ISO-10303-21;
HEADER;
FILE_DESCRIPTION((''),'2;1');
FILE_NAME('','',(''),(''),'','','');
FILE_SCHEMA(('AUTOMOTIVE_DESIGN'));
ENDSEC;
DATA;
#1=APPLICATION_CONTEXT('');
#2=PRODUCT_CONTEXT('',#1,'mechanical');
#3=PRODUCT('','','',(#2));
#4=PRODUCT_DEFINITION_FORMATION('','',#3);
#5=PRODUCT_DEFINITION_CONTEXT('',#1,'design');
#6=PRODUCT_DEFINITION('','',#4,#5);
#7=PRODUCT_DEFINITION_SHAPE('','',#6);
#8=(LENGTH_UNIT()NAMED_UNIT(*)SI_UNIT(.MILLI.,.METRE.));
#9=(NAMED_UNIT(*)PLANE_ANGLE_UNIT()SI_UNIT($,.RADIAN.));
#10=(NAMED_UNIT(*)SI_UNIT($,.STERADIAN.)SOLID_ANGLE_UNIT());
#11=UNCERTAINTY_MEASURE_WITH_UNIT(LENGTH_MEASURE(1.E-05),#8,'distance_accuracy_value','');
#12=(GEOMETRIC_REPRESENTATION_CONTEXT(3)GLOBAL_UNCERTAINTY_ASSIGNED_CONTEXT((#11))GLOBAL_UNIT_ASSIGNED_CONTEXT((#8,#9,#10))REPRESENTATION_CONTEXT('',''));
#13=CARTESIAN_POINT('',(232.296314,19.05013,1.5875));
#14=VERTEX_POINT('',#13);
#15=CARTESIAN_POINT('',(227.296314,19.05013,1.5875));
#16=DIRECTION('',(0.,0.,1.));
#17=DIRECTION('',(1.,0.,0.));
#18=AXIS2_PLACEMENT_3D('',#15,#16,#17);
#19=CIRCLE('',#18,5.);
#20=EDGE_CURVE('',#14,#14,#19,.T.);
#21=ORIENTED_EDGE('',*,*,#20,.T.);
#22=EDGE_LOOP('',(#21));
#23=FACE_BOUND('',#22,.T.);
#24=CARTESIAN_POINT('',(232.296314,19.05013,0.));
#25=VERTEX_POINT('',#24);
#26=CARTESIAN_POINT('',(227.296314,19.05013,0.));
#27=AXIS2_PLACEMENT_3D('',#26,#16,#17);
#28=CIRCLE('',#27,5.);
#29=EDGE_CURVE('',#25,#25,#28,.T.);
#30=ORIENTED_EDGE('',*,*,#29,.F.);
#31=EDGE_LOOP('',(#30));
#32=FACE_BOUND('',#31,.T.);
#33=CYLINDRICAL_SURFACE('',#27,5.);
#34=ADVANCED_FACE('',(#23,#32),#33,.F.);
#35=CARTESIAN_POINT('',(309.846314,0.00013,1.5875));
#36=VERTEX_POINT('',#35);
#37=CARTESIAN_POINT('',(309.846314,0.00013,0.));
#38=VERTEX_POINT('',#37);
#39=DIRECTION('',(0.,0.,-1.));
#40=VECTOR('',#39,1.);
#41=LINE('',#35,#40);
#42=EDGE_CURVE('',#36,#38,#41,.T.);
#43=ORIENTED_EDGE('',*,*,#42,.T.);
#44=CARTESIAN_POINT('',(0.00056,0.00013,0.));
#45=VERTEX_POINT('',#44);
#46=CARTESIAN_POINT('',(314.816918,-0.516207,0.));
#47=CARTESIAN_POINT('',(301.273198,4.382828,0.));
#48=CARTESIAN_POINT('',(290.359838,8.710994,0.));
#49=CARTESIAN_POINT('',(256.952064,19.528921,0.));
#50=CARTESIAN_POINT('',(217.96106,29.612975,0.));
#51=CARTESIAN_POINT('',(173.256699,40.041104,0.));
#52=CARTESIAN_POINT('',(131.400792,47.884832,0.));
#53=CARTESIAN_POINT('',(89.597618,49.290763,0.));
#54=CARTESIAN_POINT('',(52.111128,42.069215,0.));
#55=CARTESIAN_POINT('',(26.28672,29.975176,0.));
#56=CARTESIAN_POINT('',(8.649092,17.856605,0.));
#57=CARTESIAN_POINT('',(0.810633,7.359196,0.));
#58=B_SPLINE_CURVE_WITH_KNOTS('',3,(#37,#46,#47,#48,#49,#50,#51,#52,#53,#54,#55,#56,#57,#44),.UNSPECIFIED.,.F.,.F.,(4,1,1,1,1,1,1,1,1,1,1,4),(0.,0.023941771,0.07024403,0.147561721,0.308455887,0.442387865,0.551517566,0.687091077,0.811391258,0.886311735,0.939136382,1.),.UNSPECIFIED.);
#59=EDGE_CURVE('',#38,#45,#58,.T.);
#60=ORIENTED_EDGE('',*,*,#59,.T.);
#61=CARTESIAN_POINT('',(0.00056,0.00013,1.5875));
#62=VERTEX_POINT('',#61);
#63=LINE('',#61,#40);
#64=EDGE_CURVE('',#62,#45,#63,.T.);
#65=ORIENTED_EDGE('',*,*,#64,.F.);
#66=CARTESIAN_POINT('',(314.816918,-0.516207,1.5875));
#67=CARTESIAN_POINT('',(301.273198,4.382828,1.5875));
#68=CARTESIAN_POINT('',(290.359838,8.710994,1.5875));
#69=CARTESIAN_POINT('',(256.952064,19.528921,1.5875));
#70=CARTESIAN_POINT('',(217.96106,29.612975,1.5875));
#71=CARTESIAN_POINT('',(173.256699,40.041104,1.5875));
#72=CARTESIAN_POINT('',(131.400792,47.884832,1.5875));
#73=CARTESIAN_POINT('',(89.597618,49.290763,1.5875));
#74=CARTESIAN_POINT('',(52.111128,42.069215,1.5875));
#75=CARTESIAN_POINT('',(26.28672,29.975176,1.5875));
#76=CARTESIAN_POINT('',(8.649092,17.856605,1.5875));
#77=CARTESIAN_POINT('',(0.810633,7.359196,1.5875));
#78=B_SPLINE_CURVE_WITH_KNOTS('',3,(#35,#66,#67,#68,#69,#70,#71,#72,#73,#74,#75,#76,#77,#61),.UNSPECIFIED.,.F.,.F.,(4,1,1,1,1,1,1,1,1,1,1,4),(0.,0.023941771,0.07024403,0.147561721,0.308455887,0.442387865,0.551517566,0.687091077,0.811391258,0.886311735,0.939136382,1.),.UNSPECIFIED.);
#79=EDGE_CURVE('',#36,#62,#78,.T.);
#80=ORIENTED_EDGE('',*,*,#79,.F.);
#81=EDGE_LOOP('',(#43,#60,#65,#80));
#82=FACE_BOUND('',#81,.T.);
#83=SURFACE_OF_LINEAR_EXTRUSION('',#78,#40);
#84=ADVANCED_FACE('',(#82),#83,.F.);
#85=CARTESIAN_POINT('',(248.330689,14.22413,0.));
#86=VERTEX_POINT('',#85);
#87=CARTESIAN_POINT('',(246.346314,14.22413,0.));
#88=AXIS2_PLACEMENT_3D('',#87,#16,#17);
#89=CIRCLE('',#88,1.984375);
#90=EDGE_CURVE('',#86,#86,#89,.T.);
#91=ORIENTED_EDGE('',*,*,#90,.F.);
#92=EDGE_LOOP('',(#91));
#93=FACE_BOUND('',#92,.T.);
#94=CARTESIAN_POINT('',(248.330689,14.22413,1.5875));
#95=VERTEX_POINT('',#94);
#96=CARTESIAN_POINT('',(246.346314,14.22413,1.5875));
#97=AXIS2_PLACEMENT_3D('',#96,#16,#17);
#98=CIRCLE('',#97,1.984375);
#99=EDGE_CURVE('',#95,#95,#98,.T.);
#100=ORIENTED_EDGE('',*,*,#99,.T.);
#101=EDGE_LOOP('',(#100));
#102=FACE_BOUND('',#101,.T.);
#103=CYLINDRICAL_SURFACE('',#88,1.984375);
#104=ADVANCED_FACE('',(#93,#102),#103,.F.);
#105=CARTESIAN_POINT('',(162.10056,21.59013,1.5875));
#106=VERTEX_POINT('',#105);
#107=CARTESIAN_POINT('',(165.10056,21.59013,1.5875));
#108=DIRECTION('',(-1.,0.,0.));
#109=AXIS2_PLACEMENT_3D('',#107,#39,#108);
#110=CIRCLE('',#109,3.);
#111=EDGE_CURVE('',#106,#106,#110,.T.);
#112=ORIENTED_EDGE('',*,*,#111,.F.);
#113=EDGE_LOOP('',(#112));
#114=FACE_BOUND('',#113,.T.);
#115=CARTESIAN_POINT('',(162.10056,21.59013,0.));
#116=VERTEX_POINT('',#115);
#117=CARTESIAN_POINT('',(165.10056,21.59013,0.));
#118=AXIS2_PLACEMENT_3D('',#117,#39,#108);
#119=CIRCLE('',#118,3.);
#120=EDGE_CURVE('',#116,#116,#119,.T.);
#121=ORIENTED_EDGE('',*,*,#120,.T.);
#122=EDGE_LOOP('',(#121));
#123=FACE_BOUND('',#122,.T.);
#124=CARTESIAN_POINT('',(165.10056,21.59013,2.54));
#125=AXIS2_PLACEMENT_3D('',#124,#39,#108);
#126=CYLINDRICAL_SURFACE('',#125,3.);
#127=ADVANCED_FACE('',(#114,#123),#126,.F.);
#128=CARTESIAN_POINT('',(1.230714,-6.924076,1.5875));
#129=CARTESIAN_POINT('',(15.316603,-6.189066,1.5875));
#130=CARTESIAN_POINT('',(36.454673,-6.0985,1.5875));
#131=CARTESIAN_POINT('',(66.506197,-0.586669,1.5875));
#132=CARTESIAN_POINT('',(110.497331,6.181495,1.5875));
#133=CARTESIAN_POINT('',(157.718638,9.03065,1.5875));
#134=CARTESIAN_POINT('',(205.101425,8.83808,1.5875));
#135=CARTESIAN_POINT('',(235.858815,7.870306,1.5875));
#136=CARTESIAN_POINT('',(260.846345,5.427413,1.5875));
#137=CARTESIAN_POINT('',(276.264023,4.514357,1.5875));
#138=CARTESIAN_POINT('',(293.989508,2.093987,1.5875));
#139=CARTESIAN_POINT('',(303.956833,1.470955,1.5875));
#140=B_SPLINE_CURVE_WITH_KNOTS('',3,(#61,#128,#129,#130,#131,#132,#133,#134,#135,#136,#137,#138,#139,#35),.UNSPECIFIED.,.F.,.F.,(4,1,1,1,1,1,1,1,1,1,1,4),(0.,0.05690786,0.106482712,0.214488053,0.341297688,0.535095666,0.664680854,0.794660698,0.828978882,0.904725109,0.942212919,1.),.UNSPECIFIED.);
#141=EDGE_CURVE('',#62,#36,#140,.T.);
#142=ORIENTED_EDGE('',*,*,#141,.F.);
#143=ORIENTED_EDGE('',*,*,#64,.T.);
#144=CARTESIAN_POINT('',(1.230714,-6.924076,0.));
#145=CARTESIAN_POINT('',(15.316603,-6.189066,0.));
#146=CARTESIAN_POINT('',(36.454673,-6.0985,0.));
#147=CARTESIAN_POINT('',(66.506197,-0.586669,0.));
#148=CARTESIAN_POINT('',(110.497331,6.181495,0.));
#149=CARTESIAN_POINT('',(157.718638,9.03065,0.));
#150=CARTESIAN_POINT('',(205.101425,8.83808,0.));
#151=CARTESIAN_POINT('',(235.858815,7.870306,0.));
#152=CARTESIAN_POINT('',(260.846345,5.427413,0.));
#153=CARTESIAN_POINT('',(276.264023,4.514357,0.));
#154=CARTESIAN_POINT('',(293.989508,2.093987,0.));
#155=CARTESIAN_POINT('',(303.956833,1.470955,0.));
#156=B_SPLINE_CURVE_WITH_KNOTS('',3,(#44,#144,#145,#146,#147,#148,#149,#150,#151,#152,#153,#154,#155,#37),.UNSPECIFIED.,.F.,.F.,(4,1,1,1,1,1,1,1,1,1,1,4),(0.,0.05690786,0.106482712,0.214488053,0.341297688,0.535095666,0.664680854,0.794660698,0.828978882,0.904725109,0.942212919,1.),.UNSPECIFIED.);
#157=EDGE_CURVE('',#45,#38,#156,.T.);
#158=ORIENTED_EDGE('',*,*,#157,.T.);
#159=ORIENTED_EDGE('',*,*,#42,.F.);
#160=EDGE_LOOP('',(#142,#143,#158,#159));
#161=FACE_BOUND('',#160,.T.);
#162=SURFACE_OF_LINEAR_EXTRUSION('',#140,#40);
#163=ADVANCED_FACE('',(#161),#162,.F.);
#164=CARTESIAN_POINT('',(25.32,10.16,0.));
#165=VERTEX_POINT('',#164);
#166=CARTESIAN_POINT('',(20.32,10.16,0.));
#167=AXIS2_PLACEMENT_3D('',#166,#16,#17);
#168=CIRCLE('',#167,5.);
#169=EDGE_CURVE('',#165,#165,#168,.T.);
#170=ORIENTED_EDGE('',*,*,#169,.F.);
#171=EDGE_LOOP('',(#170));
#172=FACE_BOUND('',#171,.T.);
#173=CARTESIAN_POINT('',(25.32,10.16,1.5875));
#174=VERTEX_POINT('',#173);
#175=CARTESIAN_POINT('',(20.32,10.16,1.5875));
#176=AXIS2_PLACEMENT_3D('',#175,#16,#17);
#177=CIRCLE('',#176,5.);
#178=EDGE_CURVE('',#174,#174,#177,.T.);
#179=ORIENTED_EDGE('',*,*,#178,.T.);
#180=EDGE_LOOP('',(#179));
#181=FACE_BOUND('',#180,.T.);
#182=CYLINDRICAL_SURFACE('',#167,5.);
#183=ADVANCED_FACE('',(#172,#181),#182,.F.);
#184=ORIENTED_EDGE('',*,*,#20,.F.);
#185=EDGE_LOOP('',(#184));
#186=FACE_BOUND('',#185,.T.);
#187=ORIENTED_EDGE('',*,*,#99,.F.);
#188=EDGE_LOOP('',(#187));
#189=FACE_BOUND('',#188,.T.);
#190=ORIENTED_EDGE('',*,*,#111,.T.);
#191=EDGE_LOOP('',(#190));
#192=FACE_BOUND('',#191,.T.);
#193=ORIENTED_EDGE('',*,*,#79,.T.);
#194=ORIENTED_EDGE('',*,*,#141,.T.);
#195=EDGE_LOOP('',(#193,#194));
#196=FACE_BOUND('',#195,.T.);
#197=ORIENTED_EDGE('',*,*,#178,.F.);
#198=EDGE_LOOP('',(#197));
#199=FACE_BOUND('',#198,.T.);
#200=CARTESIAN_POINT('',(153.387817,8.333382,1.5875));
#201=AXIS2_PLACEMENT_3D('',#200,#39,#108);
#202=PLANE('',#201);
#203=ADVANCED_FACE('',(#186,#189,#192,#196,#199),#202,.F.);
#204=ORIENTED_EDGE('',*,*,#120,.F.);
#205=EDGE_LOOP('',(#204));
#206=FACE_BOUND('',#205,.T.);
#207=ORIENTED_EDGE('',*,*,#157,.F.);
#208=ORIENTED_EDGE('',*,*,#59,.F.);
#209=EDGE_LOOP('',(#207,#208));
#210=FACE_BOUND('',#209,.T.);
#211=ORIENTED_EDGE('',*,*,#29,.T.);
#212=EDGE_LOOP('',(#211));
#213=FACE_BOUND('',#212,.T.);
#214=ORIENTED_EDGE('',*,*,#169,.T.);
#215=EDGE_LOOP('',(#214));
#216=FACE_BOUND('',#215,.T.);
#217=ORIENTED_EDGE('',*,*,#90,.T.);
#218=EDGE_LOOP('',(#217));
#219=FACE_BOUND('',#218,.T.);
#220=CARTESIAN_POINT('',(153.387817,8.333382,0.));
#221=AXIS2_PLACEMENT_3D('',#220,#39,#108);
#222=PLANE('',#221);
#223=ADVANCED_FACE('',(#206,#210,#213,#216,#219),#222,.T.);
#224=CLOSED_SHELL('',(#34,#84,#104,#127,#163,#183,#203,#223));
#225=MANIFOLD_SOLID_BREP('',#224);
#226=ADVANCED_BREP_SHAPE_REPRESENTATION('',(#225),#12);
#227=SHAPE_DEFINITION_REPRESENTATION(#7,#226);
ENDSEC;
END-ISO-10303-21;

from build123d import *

# Parameters (mm, degrees)
BOSS_EXTRUDE1_DEPTH = 1.5875
SKETCH2_R           = 5
SKETCH2_R_2         = 1.984375
CUT_EXTRUDE1_DEPTH  = 316.731983488
SKETCH3_R           = 3
CUT_EXTRUDE2_DEPTH  = 2.54


with BuildPart() as part:
    # Sketch1 → Boss-Extrude1 (new body)
    with BuildSketch(Plane.XY):
        with BuildLine():
            add(Edge.make_bspline(
                [(0.000560351, 0.000130087), (0.810633127, 7.359196055), (8.649092025, 17.856605174), (26.286719818, 29.975176328), (52.111128271, 42.069215275), (89.597618475, 49.290763054), (131.400792109, 47.884831915), (173.256699242, 40.041104278), (217.961060472, 29.612974894), (256.952064401, 19.528920948), (290.35983767, 8.71099439), (301.273197721, 4.382828139), (314.816918223, -0.516206742), (309.846313895, 0.000130087)],
                knots=[0, 0, 0, 0, 0.060863618, 0.113688265, 0.188608742, 0.312908923, 0.448482434, 0.557612135, 0.691544113, 0.852438279, 0.92975597, 0.976058229, 1, 1, 1, 1], degree=3))
            add(Edge.make_bspline(
                [(309.846313895, 0.000130087), (303.956832565, 1.47095521), (293.989507544, 2.093987313), (276.26402299, 4.514356704), (260.846344817, 5.427413394), (235.858814759, 7.870306192), (205.101424636, 8.838080282), (157.718638092, 9.030650149), (110.497331172, 6.181495223), (66.506197185, -0.586669107), (36.454672816, -6.098499901), (15.316603331, -6.189065841), (1.230714189, -6.924076091), (0.000560351, 0.000130087)],
                knots=[0, 0, 0, 0, 0.057787081, 0.095274891, 0.171021118, 0.205339302, 0.335319146, 0.464904334, 0.658702312, 0.785511947, 0.893517288, 0.94309214, 1, 1, 1, 1], degree=3))
        make_face()
    extrude(amount=BOSS_EXTRUDE1_DEPTH)

    # Sketch2 → Cut-Extrude1 (cut, through all)
    with BuildSketch(Plane.XY.offset(1.5875)):
        with Locations((20.32, 10.16)):
            Circle(SKETCH2_R)
        with Locations((227.296313895, 19.050130087)):
            Circle(SKETCH2_R)
        with Locations((246.346313895, 14.224130087)):
            Circle(SKETCH2_R_2)
    extrude(amount=-CUT_EXTRUDE1_DEPTH, mode=Mode.SUBTRACT)

    # Sketch3 → Cut-Extrude2 (cut)
    with BuildSketch(Plane(origin=(0, 0, 0), x_dir=(-1, 0, 0), z_dir=(0, 0, -1))):
        with Locations((-165.100560351, 21.590130087)):
            Circle(SKETCH3_R)
    extrude(amount=-CUT_EXTRUDE2_DEPTH, mode=Mode.SUBTRACT)


solid = part.part
